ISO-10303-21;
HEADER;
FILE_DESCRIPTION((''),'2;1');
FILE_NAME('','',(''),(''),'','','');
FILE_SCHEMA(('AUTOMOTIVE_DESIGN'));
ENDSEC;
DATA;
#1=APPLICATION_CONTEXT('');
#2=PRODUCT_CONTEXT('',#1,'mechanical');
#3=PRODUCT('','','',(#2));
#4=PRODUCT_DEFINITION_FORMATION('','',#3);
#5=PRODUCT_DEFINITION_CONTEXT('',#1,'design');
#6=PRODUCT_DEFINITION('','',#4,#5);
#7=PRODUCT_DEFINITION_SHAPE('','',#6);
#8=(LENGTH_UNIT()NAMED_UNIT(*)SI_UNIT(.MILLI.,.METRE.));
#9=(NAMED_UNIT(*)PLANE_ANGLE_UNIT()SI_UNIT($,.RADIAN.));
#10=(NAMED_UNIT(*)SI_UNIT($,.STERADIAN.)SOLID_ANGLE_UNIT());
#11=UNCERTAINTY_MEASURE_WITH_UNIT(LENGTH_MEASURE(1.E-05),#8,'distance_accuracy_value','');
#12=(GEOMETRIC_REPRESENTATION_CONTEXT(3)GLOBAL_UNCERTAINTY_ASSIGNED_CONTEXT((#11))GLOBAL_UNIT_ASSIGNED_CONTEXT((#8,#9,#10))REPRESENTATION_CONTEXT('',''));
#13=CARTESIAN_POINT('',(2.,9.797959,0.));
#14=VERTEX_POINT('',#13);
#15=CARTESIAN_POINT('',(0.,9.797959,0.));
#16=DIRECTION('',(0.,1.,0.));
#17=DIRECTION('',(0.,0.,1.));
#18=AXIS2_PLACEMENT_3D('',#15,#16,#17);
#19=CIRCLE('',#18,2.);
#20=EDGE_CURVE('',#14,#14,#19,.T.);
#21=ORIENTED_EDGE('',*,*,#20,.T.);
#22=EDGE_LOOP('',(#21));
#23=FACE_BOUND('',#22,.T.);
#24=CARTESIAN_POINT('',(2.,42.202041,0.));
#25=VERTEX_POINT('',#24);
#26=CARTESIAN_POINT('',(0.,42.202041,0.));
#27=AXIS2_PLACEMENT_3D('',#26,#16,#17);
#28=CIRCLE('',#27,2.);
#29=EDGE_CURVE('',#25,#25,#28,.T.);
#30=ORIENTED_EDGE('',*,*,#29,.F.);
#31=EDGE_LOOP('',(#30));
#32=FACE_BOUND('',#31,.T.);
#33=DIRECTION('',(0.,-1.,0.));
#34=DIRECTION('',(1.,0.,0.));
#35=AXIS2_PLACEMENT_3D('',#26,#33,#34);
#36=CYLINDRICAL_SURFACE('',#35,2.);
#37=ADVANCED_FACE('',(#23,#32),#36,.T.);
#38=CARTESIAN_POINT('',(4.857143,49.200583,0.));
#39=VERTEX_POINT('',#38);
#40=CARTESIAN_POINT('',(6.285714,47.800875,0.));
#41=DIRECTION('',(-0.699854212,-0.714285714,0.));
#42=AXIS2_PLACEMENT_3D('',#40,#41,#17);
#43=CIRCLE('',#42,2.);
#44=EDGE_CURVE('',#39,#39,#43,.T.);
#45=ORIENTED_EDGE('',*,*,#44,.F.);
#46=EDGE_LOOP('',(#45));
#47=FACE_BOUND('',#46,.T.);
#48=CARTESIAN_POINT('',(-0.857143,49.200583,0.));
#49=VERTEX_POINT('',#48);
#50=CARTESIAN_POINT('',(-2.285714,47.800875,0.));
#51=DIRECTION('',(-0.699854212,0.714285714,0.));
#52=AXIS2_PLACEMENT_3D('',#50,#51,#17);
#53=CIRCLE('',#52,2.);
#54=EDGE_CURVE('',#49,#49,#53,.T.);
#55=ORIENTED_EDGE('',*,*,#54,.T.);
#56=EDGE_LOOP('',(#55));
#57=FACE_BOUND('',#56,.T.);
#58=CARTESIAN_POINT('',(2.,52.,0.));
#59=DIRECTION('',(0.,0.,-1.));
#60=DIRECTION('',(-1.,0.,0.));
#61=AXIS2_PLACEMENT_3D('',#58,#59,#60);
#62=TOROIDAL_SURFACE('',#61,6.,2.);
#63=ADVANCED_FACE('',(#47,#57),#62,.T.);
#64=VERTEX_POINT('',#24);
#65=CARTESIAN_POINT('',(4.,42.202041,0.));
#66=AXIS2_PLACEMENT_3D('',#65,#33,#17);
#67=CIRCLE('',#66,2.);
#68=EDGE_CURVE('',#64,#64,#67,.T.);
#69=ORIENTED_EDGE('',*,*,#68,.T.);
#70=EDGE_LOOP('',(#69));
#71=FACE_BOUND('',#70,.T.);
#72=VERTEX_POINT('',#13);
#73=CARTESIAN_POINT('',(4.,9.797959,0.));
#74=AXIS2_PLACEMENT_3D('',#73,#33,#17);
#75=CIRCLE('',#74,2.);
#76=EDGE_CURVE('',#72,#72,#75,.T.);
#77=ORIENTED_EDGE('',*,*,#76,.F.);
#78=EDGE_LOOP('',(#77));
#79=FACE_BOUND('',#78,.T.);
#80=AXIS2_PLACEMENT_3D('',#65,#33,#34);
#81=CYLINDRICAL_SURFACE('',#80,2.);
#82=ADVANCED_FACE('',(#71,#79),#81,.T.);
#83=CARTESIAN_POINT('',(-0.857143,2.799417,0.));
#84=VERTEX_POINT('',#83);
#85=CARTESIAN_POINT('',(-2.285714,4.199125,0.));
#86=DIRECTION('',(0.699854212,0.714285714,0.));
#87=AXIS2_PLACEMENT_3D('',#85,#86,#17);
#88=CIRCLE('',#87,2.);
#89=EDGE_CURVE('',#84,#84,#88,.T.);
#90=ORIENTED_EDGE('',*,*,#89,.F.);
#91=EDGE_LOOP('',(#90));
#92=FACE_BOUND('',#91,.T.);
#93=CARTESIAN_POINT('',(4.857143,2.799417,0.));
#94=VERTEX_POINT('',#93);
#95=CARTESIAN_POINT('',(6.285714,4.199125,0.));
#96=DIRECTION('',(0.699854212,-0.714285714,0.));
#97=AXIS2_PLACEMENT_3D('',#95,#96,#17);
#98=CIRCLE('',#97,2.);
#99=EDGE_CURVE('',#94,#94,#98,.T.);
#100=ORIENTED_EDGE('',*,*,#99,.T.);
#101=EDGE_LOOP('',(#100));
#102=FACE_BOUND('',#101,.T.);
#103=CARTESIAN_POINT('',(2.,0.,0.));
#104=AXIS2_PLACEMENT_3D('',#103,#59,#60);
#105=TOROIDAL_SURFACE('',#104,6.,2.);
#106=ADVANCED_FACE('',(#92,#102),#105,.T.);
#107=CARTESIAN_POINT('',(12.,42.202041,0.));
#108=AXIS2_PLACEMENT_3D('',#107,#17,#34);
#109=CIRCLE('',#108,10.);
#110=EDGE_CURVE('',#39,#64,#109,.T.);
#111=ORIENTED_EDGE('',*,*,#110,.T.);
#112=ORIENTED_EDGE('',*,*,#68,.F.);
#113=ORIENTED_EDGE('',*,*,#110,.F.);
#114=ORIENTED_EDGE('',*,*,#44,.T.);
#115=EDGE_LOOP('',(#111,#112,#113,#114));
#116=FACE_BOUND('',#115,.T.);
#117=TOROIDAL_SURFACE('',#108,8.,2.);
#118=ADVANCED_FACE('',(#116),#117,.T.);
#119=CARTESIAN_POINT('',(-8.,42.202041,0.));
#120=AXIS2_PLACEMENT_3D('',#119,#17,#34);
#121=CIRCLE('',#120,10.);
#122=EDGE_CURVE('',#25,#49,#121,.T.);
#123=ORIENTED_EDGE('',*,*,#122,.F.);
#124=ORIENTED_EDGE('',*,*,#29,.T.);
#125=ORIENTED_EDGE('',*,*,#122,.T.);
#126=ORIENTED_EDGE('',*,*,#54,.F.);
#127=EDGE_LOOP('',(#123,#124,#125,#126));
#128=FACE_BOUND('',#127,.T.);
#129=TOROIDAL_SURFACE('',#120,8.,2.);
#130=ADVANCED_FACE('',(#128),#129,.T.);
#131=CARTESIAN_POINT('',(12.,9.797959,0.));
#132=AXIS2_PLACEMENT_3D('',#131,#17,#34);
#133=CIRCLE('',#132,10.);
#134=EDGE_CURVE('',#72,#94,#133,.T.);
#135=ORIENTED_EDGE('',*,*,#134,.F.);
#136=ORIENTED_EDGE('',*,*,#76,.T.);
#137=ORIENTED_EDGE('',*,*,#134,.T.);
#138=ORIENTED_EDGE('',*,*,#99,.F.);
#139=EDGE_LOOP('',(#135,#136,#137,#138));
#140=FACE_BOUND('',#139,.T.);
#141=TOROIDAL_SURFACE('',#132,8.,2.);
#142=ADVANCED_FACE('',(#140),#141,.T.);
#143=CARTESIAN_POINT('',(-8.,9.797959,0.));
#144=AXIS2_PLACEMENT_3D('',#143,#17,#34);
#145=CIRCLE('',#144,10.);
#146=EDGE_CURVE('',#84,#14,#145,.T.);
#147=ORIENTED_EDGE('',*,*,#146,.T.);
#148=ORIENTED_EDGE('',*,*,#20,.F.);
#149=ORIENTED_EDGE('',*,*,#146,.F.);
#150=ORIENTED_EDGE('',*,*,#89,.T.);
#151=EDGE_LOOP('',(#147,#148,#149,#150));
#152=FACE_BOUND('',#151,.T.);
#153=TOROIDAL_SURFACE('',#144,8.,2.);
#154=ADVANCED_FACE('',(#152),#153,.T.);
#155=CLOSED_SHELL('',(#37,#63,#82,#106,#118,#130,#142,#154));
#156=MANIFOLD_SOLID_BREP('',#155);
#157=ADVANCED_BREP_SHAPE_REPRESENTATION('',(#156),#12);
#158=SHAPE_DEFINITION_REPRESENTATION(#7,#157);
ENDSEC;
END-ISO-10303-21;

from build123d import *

# Parameters (mm, degrees)
SKETCH2_R = 2


with BuildPart() as part:
    # Sweep1: sweep along a path in Sketch1
    with BuildLine(Plane.XY) as sweep1_path:
        Line((4, 9.797958971), (4, 42.202041029))
        ThreePointArc((4, 42.202041029), (4.593439202, 45.225756813), (6.285714286, 47.800874727))
        ThreePointArc((6.285714286, 47.800874727), (2, 58), (-2.285714286, 47.800874727))
        ThreePointArc((-2.285714286, 47.800874727), (-0.593439202, 45.225756813), (0, 42.202041029))
        Line((0, 42.202041029), (0, 9.797958971))
        ThreePointArc((0, 9.797958971), (-0.593439202, 6.774243187), (-2.285714286, 4.199125273))
        ThreePointArc((-2.285714286, 4.199125273), (2, -6), (6.285714286, 4.199125273))
        ThreePointArc((6.285714286, 4.199125273), (4.593439202, 6.774243187), (4, 9.797958971))
    # Sketch2 → Sweep1 (sweep)
    with BuildSketch(Plane(origin=(0, 10, 0), x_dir=(-1, 0, 0), z_dir=(0, 1, 0))):
        Circle(SKETCH2_R)
    sweep(path=sweep1_path.line)


solid = part.part
